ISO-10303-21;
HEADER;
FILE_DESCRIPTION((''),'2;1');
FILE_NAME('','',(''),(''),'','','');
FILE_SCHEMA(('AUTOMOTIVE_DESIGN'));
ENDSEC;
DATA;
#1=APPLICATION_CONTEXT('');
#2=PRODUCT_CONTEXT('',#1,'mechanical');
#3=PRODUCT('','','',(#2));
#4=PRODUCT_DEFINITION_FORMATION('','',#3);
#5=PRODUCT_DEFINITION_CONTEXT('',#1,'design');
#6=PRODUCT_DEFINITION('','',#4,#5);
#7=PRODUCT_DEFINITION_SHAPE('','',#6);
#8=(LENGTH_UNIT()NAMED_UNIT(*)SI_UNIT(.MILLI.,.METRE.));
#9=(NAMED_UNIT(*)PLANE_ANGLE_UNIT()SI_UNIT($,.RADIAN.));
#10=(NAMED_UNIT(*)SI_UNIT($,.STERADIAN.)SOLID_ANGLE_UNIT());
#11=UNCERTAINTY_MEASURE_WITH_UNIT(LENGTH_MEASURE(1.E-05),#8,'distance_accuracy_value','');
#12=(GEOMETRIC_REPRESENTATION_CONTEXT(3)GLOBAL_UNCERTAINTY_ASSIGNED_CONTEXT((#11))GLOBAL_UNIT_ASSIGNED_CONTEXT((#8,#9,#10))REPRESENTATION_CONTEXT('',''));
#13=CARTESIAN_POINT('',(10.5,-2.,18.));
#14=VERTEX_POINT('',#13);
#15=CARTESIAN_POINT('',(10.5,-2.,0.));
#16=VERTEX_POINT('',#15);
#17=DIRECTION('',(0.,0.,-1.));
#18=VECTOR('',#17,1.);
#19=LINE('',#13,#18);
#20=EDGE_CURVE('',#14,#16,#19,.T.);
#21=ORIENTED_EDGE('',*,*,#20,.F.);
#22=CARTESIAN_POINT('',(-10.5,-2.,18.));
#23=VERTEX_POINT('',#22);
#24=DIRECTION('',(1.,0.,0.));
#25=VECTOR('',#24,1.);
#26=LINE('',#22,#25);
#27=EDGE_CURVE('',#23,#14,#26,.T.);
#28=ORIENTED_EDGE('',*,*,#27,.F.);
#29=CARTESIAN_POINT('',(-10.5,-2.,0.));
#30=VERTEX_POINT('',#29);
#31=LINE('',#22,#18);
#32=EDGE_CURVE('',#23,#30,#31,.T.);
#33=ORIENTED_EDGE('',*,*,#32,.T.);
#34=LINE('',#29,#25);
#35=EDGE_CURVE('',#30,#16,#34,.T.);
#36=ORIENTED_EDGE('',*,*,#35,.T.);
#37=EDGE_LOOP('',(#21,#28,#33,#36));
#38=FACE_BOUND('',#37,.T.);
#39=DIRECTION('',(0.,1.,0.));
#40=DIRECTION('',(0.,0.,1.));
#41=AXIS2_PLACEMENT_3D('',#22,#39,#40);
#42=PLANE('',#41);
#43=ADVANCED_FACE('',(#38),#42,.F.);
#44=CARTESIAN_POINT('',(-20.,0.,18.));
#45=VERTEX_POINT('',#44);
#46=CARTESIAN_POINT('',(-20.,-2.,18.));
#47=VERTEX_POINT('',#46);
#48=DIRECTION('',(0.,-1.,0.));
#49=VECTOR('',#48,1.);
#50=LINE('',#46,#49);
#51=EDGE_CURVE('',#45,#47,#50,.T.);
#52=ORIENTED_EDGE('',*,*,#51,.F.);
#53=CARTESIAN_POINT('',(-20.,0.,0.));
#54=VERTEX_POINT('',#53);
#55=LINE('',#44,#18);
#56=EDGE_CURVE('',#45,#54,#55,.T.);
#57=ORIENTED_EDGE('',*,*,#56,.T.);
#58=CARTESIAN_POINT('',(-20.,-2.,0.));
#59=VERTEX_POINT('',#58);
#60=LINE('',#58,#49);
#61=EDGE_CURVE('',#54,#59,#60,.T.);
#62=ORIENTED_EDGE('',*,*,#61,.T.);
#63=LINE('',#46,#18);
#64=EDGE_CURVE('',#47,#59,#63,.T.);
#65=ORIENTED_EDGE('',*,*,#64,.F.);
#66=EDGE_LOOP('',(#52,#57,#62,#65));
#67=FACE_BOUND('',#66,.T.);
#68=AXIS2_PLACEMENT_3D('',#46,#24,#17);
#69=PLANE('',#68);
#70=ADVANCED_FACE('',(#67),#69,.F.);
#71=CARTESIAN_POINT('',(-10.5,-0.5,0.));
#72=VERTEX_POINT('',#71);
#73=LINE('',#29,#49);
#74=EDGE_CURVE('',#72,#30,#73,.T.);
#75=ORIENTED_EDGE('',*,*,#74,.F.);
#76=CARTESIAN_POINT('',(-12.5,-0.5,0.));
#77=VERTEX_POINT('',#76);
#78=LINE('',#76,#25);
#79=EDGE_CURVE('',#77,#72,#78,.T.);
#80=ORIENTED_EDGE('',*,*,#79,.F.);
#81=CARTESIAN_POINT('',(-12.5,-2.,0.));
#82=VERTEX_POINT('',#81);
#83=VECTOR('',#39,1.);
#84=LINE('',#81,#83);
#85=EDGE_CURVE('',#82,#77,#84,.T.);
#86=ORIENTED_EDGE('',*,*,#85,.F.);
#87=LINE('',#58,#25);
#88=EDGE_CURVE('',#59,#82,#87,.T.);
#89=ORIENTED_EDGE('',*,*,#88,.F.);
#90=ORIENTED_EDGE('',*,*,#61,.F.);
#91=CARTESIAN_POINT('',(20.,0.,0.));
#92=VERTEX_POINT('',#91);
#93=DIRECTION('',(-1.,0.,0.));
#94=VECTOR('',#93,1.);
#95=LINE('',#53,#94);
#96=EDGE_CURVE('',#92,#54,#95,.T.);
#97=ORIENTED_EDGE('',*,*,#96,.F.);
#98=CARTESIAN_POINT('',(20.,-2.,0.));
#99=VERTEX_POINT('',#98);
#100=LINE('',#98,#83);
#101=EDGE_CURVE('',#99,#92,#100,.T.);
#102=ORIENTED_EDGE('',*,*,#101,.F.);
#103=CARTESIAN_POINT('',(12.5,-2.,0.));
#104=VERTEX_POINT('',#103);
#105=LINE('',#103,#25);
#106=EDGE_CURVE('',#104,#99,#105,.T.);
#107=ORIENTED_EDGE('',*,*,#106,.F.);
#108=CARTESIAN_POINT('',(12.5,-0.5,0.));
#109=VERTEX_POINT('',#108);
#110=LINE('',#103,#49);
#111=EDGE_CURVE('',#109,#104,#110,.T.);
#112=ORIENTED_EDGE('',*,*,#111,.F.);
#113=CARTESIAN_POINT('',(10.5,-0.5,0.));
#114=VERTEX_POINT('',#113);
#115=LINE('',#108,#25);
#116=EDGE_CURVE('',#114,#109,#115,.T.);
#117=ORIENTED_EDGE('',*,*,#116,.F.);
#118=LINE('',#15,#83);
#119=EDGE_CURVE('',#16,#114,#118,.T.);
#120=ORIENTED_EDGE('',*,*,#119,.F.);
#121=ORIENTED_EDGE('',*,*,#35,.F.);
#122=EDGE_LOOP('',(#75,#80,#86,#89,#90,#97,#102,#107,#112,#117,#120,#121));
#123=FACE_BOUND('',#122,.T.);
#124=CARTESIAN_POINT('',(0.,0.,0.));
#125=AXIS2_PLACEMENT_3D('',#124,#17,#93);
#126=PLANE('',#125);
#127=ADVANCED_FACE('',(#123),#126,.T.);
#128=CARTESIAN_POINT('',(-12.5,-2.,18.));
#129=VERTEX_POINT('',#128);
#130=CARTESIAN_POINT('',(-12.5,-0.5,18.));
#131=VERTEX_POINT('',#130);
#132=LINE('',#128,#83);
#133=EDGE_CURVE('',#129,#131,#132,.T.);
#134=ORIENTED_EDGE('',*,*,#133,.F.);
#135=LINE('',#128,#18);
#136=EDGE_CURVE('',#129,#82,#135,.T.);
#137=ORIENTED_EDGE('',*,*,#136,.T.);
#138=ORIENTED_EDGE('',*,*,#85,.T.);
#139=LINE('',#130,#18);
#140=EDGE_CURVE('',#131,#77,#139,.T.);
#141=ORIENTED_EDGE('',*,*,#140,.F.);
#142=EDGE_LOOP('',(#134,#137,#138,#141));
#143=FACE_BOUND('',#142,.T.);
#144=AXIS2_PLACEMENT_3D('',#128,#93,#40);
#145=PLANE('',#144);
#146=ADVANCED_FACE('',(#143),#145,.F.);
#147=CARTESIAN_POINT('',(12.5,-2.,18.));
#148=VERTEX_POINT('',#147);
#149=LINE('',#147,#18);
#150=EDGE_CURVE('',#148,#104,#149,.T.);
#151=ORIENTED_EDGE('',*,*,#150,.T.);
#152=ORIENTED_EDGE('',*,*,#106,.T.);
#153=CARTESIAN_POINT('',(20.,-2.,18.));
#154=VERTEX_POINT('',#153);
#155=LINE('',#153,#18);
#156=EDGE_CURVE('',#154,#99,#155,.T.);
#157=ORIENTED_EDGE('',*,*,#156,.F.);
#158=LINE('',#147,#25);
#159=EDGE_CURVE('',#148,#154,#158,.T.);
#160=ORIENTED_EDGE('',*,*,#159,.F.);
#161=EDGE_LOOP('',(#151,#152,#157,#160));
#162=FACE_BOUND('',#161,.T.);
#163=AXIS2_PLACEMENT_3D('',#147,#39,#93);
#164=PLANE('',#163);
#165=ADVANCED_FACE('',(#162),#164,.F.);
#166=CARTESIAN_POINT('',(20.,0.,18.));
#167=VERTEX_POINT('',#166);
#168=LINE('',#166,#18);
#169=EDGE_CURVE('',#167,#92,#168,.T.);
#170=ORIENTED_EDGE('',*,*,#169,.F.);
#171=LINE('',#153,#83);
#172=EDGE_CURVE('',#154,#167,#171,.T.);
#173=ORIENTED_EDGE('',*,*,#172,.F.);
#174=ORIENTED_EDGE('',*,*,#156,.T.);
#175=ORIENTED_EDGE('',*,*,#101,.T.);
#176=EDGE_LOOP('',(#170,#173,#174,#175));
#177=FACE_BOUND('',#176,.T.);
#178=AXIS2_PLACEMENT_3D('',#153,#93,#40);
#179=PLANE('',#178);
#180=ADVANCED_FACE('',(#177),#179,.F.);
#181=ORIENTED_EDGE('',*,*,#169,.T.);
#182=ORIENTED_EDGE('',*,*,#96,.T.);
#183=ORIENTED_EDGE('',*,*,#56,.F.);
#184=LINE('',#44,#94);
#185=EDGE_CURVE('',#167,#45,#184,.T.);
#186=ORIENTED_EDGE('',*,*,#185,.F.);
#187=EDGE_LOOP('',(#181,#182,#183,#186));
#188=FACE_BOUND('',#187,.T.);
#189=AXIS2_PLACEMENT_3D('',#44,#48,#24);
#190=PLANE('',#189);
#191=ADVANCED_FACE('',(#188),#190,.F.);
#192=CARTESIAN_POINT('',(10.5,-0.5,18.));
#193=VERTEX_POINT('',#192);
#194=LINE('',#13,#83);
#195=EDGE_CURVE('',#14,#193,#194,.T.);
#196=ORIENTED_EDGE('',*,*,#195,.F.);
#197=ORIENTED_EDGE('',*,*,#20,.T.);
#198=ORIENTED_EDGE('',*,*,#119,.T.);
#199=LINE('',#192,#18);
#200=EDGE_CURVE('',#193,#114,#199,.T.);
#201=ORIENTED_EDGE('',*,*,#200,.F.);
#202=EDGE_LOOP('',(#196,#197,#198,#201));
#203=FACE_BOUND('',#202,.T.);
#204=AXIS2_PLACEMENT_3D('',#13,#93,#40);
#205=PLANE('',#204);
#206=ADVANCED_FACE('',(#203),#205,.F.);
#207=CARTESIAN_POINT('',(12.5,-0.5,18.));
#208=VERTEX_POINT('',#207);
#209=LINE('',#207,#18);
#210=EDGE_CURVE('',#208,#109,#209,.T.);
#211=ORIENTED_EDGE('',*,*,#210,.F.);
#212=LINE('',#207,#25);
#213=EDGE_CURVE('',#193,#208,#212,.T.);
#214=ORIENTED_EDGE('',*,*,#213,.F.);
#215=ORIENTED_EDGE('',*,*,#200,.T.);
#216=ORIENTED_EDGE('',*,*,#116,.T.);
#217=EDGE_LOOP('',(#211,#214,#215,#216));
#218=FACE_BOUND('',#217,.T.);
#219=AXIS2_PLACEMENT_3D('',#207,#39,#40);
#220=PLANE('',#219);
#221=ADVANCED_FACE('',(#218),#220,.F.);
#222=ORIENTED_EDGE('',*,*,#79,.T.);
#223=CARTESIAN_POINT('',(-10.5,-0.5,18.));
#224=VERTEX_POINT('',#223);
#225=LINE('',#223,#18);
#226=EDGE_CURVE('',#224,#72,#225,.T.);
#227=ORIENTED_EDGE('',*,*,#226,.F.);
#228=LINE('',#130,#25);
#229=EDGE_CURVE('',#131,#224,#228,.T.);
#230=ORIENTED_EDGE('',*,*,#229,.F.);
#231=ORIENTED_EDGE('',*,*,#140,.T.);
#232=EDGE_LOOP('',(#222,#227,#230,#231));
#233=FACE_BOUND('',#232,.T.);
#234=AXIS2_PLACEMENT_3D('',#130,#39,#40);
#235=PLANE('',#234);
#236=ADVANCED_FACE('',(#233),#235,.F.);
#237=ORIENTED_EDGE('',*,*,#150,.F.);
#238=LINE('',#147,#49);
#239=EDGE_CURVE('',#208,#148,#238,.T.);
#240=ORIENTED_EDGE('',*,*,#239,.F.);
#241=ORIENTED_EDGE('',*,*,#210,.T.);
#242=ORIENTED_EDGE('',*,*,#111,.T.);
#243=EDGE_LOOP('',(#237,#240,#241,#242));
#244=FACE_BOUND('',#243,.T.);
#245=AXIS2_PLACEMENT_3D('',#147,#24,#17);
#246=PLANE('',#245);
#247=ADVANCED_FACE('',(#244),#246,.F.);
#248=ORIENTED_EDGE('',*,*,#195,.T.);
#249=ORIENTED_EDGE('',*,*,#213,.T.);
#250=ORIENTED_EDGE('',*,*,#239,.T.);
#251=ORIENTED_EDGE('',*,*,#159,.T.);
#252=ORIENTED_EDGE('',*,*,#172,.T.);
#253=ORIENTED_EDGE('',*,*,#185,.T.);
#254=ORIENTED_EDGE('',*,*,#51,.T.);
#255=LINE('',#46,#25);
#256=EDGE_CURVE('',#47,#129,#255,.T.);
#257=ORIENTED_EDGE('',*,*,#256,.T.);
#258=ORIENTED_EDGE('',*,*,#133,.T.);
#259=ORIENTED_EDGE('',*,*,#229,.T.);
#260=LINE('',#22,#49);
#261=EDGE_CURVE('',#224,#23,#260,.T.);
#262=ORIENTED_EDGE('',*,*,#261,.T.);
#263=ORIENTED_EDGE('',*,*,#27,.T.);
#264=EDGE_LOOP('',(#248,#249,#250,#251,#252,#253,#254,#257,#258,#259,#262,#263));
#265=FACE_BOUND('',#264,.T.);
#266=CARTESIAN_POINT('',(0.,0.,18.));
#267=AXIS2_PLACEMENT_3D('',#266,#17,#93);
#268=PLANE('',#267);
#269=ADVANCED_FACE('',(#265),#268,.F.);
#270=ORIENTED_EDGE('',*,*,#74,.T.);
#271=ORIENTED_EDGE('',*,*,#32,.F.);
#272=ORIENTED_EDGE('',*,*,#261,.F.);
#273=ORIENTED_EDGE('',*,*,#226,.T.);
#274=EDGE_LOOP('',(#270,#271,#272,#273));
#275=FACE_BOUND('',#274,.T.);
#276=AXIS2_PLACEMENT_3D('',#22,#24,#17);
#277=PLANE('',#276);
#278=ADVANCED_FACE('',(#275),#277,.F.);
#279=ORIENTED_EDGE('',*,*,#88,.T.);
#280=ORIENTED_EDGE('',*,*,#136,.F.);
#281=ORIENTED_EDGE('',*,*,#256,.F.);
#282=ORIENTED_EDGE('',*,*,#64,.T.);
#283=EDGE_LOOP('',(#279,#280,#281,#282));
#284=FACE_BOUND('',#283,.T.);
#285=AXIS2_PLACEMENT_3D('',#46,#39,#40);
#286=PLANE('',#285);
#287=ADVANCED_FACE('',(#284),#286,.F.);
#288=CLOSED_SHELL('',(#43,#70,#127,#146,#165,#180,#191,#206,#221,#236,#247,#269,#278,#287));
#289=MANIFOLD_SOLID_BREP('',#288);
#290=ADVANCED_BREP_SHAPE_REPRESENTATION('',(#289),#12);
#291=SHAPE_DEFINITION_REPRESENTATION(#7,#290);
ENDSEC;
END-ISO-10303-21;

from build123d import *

# Parameters (mm, degrees)
BOSS_EXTRUDE1_DEPTH = 18


with BuildPart() as part:
    # Sketch1 → Boss-Extrude1 (new body)
    with BuildSketch(Plane.XY):
        Polygon((-20, -2), (-12.5, -2), (-12.5, -0.5), (-10.5, -0.5), (-10.5, -2), (10.5, -2), (10.5, -0.5), (12.5, -0.5), (12.5, -2), (20, -2), (20, 0), (-20, 0), align=None)
    extrude(amount=BOSS_EXTRUDE1_DEPTH)


solid = part.part
